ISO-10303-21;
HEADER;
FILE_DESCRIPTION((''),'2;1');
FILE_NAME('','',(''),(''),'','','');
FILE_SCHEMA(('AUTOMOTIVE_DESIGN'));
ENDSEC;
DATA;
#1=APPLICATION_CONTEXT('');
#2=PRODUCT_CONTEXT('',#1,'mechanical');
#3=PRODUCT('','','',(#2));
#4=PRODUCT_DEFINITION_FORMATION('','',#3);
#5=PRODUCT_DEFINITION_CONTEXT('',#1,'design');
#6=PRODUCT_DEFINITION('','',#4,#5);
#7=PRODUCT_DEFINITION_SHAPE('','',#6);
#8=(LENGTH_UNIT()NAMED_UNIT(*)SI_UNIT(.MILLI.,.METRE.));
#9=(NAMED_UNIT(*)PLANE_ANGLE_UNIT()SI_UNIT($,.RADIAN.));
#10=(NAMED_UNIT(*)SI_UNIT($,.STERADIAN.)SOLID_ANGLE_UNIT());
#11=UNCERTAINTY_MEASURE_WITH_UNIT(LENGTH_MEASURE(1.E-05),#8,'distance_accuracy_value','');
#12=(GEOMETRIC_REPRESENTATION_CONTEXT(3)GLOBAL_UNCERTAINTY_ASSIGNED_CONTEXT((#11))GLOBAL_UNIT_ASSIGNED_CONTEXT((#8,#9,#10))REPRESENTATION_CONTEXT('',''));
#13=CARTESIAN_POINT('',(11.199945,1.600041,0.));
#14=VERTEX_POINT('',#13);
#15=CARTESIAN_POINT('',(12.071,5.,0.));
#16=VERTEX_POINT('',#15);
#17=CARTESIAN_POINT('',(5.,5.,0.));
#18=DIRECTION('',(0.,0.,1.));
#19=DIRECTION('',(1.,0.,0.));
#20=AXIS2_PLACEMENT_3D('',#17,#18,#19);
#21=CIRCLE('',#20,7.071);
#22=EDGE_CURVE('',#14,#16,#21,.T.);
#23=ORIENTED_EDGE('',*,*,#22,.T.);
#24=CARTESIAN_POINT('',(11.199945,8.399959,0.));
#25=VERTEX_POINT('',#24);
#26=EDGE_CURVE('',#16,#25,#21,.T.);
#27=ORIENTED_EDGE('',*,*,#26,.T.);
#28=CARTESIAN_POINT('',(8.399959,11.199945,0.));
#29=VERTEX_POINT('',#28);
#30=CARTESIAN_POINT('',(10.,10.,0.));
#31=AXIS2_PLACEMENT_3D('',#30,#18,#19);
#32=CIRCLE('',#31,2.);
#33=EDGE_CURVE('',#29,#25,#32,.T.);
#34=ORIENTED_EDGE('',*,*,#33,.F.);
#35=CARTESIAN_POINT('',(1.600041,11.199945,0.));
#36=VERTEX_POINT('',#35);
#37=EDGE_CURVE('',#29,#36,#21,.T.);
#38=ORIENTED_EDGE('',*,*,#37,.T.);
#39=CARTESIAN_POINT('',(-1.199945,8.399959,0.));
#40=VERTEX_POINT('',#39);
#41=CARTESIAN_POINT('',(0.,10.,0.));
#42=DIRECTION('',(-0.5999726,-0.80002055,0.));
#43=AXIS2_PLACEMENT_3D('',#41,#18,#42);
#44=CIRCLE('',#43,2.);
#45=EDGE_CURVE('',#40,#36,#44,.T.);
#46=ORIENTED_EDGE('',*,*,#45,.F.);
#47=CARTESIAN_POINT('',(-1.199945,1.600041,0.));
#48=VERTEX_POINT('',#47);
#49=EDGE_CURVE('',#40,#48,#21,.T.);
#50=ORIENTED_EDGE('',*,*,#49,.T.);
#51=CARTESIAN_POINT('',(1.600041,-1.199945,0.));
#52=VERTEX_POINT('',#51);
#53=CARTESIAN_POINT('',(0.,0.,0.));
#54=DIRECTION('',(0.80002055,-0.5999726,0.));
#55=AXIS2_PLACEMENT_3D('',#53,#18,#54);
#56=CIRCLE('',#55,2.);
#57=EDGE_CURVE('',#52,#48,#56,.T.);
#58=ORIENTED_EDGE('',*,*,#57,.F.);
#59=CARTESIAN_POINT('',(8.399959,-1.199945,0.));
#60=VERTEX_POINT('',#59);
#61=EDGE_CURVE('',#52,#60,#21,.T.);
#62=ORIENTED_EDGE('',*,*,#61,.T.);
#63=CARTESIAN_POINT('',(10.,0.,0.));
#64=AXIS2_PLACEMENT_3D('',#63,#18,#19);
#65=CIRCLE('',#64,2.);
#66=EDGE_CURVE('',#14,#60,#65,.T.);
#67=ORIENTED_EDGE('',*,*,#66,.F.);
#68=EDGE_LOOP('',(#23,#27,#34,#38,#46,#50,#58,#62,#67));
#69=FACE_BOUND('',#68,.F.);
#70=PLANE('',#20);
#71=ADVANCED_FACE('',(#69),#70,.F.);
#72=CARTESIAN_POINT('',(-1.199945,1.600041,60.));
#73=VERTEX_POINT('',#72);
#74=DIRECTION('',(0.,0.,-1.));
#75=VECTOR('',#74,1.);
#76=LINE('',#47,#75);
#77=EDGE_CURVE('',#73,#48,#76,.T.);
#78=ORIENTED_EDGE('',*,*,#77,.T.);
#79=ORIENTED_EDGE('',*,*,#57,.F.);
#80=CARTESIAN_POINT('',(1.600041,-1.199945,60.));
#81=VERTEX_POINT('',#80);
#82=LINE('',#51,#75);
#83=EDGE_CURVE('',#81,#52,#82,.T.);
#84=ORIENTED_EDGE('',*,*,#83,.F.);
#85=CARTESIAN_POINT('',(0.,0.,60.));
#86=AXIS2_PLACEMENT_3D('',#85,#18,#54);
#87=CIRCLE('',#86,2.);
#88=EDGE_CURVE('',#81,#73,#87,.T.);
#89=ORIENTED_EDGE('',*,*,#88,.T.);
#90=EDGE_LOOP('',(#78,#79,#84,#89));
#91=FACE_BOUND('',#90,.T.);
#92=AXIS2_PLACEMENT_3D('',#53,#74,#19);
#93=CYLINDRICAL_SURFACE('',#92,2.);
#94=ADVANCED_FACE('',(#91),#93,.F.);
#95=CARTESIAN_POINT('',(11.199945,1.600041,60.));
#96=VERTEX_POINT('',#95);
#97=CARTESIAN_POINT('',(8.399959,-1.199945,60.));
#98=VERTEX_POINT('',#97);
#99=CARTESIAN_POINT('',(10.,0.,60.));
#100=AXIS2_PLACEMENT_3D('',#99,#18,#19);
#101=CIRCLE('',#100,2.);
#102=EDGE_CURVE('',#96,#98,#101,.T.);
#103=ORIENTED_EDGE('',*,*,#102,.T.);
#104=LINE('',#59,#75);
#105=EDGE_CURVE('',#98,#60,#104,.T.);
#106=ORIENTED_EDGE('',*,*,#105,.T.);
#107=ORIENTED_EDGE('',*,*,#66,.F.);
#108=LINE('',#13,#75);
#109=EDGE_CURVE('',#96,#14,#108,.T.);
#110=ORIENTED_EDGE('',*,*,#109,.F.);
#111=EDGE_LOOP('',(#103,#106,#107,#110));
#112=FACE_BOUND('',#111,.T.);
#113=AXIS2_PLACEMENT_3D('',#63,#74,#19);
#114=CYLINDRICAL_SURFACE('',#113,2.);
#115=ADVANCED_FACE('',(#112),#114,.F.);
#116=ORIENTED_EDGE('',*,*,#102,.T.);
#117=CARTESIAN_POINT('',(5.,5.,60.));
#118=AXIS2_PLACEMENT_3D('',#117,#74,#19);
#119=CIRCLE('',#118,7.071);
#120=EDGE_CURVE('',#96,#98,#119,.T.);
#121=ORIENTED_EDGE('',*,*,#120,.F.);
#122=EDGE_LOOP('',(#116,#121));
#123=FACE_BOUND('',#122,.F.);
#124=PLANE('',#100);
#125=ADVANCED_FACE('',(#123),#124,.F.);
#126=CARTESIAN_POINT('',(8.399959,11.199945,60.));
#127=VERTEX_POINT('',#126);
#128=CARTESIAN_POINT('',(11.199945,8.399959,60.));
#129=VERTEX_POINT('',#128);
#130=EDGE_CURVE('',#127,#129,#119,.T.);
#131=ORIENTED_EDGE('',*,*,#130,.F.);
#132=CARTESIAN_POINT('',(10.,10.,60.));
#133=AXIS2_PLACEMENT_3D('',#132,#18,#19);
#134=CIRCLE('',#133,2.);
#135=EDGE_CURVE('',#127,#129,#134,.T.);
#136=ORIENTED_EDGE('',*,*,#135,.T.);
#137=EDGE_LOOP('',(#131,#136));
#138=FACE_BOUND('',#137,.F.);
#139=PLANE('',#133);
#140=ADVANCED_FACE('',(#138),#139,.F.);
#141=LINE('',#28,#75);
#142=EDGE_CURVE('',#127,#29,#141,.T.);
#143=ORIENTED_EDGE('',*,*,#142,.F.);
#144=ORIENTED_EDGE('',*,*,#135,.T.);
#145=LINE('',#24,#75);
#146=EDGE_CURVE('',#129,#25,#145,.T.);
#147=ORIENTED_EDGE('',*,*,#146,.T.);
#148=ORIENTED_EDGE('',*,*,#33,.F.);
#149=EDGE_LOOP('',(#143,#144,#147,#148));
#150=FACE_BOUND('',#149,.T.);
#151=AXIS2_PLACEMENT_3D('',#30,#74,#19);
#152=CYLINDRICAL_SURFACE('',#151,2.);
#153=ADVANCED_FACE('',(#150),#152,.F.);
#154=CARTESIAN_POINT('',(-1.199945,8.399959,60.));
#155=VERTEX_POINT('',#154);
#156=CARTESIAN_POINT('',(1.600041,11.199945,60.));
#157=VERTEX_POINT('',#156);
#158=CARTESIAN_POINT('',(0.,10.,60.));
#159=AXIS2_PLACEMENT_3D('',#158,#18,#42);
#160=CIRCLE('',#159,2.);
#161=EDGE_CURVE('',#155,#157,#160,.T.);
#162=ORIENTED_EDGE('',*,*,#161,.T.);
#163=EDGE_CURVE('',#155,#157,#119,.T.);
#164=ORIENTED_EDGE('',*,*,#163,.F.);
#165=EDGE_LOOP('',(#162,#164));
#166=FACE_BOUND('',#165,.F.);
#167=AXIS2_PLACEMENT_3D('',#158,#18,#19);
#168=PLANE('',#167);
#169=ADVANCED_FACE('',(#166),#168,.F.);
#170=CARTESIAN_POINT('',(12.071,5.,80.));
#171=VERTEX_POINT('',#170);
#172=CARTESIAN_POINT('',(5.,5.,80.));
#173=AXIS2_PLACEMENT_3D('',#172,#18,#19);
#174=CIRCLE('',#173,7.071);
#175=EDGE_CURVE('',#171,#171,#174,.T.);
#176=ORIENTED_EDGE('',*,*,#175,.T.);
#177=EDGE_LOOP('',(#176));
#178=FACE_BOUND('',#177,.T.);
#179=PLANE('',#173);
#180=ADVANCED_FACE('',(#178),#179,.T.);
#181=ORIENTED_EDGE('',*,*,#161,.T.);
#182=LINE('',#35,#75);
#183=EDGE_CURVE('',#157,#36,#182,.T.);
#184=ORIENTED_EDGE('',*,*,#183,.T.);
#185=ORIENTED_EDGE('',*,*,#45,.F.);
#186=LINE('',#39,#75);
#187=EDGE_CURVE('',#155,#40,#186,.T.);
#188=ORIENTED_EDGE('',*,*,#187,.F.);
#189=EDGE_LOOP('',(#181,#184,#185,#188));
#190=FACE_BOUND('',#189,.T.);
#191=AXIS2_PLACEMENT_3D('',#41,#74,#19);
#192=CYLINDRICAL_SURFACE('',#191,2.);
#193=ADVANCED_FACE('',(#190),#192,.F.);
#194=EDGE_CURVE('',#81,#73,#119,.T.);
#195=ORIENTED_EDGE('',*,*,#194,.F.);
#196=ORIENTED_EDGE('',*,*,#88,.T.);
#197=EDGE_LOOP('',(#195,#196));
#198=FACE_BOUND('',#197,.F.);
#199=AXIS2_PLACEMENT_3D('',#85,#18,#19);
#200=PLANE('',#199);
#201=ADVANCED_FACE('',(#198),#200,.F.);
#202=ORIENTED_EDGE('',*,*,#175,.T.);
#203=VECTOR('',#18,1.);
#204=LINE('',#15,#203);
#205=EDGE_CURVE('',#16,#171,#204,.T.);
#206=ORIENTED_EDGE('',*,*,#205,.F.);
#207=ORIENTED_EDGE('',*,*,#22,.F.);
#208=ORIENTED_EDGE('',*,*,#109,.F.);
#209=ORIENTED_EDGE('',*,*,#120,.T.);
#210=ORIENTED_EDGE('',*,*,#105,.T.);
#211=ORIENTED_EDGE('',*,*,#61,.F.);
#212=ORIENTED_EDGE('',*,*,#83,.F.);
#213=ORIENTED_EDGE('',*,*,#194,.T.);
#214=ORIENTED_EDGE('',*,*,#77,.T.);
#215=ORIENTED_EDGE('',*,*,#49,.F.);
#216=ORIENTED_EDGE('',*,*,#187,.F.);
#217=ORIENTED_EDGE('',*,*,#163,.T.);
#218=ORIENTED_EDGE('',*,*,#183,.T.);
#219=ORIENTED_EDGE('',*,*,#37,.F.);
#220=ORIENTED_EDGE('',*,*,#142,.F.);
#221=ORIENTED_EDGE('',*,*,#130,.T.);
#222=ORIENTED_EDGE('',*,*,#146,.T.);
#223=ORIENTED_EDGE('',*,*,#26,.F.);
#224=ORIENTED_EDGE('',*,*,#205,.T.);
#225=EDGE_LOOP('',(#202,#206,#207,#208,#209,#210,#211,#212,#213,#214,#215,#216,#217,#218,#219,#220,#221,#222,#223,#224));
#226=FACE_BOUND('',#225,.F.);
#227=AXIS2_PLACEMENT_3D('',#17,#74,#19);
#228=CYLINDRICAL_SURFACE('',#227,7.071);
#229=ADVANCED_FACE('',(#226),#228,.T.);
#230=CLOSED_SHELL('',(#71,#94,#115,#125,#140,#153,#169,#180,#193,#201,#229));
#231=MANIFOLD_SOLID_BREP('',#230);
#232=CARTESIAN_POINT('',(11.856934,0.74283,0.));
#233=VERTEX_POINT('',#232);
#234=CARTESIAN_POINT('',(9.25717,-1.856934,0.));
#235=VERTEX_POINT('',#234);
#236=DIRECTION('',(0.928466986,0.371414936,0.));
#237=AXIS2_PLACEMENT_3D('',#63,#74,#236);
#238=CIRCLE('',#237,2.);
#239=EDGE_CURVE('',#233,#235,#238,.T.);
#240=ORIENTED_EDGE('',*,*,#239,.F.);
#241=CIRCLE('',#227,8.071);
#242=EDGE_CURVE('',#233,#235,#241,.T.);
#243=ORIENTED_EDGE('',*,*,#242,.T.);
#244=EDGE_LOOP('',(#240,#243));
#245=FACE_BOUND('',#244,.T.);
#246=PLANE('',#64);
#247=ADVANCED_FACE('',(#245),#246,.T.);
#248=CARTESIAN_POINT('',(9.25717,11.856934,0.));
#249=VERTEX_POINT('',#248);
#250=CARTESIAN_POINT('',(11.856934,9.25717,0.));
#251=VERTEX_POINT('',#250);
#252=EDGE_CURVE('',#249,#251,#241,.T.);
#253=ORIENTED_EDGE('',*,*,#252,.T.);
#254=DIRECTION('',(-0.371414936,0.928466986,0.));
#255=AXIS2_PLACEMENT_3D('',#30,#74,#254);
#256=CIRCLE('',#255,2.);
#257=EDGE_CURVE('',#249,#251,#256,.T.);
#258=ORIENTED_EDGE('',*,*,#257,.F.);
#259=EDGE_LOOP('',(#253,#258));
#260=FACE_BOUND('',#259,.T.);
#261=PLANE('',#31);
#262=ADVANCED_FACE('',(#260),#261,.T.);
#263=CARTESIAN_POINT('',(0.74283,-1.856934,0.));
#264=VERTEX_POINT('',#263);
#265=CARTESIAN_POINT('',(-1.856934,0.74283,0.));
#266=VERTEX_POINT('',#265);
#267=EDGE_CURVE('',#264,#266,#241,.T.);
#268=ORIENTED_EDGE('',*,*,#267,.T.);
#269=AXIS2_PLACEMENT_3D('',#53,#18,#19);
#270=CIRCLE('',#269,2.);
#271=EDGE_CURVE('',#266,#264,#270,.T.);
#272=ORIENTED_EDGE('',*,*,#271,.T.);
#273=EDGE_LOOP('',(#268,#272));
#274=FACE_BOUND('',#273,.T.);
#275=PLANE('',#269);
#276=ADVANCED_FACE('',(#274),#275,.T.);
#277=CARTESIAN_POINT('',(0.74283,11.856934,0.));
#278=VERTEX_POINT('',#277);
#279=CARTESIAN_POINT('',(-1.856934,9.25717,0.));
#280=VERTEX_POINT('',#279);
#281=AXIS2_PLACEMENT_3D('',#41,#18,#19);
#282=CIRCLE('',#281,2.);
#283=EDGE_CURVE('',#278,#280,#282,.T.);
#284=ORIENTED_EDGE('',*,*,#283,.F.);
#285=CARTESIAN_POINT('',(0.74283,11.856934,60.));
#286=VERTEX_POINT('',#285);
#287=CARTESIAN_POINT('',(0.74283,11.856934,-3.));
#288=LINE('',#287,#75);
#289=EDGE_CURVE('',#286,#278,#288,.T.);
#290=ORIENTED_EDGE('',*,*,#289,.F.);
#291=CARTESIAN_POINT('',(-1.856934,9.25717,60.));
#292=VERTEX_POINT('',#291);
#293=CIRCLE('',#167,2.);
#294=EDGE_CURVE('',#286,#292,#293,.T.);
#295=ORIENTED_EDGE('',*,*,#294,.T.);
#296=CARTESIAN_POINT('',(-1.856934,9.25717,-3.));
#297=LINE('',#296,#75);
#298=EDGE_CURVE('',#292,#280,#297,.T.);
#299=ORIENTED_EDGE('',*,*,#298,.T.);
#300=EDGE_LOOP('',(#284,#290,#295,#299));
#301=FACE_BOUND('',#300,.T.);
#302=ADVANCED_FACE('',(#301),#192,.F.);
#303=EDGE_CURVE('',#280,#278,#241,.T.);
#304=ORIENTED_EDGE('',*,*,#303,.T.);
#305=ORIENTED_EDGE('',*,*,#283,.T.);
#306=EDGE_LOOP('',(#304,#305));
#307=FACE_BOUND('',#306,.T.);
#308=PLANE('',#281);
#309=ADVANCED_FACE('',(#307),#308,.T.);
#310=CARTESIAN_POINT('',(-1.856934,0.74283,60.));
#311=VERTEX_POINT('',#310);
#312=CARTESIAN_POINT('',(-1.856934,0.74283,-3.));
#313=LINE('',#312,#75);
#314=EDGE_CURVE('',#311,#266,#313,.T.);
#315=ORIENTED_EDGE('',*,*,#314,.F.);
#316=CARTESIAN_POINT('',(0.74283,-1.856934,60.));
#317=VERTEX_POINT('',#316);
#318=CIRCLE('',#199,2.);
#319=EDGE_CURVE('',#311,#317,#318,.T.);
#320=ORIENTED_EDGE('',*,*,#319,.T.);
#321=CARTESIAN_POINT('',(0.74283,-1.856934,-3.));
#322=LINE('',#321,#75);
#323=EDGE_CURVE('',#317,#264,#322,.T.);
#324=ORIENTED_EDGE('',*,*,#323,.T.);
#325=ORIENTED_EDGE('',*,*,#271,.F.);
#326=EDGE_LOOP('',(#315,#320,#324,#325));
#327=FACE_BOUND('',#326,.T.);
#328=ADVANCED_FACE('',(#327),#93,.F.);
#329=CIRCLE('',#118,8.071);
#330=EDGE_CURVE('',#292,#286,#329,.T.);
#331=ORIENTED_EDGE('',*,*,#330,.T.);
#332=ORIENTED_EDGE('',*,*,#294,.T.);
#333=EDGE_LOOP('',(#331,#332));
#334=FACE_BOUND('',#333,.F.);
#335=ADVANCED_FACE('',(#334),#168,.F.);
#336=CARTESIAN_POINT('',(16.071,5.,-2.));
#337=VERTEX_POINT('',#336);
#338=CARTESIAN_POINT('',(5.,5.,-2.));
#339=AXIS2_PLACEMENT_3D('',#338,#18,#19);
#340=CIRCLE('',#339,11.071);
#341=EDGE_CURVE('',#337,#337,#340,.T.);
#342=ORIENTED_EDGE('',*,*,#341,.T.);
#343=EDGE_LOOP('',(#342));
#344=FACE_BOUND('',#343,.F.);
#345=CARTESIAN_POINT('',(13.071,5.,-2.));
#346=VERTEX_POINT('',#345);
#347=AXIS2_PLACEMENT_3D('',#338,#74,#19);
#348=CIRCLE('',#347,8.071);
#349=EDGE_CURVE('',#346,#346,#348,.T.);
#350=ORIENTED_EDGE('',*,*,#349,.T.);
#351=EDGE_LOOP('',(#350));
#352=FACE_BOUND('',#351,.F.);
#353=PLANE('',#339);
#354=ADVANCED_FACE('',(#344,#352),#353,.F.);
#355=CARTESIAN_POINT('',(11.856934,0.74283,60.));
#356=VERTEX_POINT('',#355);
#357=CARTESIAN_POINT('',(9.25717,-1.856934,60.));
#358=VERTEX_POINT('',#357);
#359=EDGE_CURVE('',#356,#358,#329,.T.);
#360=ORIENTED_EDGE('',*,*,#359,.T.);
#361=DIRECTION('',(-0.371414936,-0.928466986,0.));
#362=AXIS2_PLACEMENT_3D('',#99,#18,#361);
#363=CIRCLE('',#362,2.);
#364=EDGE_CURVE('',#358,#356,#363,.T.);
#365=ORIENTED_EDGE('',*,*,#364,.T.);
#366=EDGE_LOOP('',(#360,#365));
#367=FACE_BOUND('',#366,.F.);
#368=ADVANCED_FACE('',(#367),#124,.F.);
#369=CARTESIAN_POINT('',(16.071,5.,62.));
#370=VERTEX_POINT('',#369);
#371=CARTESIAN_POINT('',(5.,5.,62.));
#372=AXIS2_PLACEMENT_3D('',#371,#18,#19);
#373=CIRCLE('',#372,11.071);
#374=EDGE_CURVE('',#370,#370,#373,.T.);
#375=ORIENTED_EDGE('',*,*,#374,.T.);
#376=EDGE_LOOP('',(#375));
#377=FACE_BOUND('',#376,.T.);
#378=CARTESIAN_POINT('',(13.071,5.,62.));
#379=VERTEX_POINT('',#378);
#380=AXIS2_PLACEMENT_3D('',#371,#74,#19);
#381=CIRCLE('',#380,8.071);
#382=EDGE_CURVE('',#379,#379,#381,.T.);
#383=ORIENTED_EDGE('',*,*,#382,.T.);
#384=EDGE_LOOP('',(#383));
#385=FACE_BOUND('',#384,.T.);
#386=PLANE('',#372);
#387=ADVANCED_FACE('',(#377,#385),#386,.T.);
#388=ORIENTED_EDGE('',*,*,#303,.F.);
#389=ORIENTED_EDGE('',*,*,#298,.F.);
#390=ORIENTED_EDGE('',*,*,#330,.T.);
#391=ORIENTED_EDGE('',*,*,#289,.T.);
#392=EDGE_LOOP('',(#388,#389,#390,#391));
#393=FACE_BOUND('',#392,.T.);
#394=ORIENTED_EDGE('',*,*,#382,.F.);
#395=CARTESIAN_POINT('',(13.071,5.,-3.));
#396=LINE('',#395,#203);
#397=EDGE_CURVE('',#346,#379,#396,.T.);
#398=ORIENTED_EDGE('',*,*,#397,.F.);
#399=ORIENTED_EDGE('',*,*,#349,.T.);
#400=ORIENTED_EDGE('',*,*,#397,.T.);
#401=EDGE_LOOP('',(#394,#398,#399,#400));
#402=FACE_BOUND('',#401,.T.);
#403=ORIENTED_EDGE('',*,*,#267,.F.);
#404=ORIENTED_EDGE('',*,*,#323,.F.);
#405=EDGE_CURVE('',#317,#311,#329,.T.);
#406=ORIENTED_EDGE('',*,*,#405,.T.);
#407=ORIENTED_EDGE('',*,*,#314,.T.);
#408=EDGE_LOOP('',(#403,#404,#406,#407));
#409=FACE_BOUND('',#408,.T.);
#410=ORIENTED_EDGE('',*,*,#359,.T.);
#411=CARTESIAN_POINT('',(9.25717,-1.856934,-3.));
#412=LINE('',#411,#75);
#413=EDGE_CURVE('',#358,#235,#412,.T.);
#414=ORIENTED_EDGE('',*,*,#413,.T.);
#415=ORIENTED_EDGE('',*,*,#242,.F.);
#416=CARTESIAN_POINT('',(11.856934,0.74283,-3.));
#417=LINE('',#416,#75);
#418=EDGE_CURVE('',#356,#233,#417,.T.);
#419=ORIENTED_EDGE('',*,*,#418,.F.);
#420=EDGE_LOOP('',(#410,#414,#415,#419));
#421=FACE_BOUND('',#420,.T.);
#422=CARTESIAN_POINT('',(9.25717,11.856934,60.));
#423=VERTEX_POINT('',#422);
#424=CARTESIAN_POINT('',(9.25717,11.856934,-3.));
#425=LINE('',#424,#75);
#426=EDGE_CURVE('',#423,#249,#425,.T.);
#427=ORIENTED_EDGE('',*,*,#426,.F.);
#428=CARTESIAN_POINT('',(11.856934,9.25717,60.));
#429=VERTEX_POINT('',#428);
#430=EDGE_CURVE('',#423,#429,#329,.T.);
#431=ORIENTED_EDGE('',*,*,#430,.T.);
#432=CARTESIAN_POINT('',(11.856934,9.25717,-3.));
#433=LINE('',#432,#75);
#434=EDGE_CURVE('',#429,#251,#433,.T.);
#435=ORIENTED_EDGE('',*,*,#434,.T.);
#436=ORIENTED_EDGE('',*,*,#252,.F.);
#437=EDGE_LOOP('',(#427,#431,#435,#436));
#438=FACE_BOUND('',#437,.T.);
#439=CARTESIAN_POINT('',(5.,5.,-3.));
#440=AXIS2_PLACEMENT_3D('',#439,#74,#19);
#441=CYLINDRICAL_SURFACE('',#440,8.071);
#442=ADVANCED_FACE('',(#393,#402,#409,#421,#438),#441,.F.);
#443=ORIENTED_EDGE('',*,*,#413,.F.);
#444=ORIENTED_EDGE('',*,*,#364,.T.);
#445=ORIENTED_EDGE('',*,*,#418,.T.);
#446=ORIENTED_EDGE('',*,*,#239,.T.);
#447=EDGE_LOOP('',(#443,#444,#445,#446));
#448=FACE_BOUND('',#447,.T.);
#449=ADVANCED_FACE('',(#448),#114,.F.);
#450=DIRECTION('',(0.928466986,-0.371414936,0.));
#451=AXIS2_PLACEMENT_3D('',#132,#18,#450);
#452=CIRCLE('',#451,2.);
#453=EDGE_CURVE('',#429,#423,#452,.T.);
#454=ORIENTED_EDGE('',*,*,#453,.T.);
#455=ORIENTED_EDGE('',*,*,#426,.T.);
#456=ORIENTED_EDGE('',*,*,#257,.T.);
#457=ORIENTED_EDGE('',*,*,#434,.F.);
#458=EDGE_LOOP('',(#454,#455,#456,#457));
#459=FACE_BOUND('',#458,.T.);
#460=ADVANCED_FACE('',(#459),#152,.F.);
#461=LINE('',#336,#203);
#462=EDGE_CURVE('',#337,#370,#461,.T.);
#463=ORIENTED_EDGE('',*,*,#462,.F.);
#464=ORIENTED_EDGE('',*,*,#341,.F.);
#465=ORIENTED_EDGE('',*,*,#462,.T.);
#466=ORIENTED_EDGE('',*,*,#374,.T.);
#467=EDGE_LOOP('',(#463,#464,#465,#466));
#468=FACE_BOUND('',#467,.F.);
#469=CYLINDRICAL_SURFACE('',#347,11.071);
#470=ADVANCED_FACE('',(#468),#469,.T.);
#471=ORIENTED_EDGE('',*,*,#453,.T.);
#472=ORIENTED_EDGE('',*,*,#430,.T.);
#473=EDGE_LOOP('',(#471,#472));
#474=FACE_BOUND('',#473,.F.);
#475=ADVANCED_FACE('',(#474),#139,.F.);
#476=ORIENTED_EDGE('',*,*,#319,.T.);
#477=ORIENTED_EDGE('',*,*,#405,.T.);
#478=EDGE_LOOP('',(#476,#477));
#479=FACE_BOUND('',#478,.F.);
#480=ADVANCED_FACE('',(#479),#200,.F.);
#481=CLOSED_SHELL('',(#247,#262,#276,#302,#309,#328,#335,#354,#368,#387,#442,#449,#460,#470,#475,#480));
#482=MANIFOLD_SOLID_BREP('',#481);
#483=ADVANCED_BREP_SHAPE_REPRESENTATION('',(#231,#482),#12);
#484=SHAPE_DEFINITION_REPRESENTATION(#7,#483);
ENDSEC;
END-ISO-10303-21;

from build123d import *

# Parameters (mm, degrees)
CYLINDER_R        = 2
CYLINDER_DEPTH    = 60
CYLINDER001_R     = 2
CYLINDER001_DEPTH = 60
CYLINDER002_R     = 2
CYLINDER002_DEPTH = 60
CYLINDER003_R     = 2
CYLINDER003_DEPTH = 60
CYLINDER004_R     = 7.071
CYLINDER004_DEPTH = 80
CYLINDER005_R     = 2
CYLINDER005_DEPTH = 60
CYLINDER006_R     = 2
CYLINDER006_DEPTH = 60
CYLINDER007_R     = 2
CYLINDER007_DEPTH = 60
CYLINDER008_R     = 2
CYLINDER008_DEPTH = 60
CYLINDER010_R     = 8.071
CYLINDER010_DEPTH = 80
CYLINDER009_R     = 11.071
CYLINDER009_DEPTH = 64


with BuildPart() as cylinder:
    # Cylinder → Cylinder (new body)
    with BuildSketch(Plane.XY):
        Circle(CYLINDER_R)
    extrude(amount=CYLINDER_DEPTH)


with BuildPart() as cylinder001:
    # Cylinder001 → Cylinder001 (new body)
    with BuildSketch(Plane(origin=(0, 10, 0), x_dir=(1, 0, 0), z_dir=(0, 0, 1))):
        Circle(CYLINDER001_R)
    extrude(amount=CYLINDER001_DEPTH)


with BuildPart() as cylinder002:
    # Cylinder002 → Cylinder002 (new body)
    with BuildSketch(Plane(origin=(10, 0, 0), x_dir=(1, 0, 0), z_dir=(0, 0, 1))):
        Circle(CYLINDER002_R)
    extrude(amount=CYLINDER002_DEPTH)


with BuildPart() as cylinder003:
    # Cylinder003 → Cylinder003 (new body)
    with BuildSketch(Plane(origin=(10, 10, 0), x_dir=(1, 0, 0), z_dir=(0, 0, 1))):
        Circle(CYLINDER003_R)
    extrude(amount=CYLINDER003_DEPTH)


with BuildPart() as cut003:
    # Cylinder004 → Cylinder004 (new body)
    with BuildSketch(Plane(origin=(5, 5, 0), x_dir=(1, 0, 0), z_dir=(0, 0, 1))):
        Circle(CYLINDER004_R)
    extrude(amount=CYLINDER004_DEPTH)

    # Cut: cut Cylinder003
    add(cylinder003.part, mode=Mode.SUBTRACT)

    # Cut001: cut Cylinder002
    add(cylinder002.part, mode=Mode.SUBTRACT)

    # Cut002: cut Cylinder001
    add(cylinder001.part, mode=Mode.SUBTRACT)

    # Cut003: cut Cylinder
    add(cylinder.part, mode=Mode.SUBTRACT)


with BuildPart() as cylinder005:
    # Cylinder005 → Cylinder005 (new body)
    with BuildSketch(Plane.XY):
        Circle(CYLINDER005_R)
    extrude(amount=CYLINDER005_DEPTH)


with BuildPart() as cylinder006:
    # Cylinder006 → Cylinder006 (new body)
    with BuildSketch(Plane(origin=(0, 10, 0), x_dir=(1, 0, 0), z_dir=(0, 0, 1))):
        Circle(CYLINDER006_R)
    extrude(amount=CYLINDER006_DEPTH)


with BuildPart() as cylinder007:
    # Cylinder007 → Cylinder007 (new body)
    with BuildSketch(Plane(origin=(10, 0, 0), x_dir=(1, 0, 0), z_dir=(0, 0, 1))):
        Circle(CYLINDER007_R)
    extrude(amount=CYLINDER007_DEPTH)


with BuildPart() as cylinder008:
    # Cylinder008 → Cylinder008 (new body)
    with BuildSketch(Plane(origin=(10, 10, 0), x_dir=(1, 0, 0), z_dir=(0, 0, 1))):
        Circle(CYLINDER008_R)
    extrude(amount=CYLINDER008_DEPTH)


with BuildPart() as cylinder010:
    # Cylinder010 → Cylinder010 (new body)
    with BuildSketch(Plane(origin=(5, 5, -3), x_dir=(1, 0, 0), z_dir=(0, 0, 1))):
        Circle(CYLINDER010_R)
    extrude(amount=CYLINDER010_DEPTH)


with BuildPart() as cut008:
    # Cylinder009 → Cylinder009 (new body)
    with BuildSketch(Plane(origin=(5, 5, -2), x_dir=(1, 0, 0), z_dir=(0, 0, 1))):
        Circle(CYLINDER009_R)
    extrude(amount=CYLINDER009_DEPTH)

    # Cut004: cut Cylinder010
    add(cylinder010.part, mode=Mode.SUBTRACT)

    # Cut005: cut Cylinder008
    add(cylinder008.part, mode=Mode.SUBTRACT)

    # Cut006: cut Cylinder007
    add(cylinder007.part, mode=Mode.SUBTRACT)

    # Cut007: cut Cylinder006
    add(cylinder006.part, mode=Mode.SUBTRACT)

    # Cut008: cut Cylinder005
    add(cylinder005.part, mode=Mode.SUBTRACT)


solid = Compound([cut003.part, cut008.part])
